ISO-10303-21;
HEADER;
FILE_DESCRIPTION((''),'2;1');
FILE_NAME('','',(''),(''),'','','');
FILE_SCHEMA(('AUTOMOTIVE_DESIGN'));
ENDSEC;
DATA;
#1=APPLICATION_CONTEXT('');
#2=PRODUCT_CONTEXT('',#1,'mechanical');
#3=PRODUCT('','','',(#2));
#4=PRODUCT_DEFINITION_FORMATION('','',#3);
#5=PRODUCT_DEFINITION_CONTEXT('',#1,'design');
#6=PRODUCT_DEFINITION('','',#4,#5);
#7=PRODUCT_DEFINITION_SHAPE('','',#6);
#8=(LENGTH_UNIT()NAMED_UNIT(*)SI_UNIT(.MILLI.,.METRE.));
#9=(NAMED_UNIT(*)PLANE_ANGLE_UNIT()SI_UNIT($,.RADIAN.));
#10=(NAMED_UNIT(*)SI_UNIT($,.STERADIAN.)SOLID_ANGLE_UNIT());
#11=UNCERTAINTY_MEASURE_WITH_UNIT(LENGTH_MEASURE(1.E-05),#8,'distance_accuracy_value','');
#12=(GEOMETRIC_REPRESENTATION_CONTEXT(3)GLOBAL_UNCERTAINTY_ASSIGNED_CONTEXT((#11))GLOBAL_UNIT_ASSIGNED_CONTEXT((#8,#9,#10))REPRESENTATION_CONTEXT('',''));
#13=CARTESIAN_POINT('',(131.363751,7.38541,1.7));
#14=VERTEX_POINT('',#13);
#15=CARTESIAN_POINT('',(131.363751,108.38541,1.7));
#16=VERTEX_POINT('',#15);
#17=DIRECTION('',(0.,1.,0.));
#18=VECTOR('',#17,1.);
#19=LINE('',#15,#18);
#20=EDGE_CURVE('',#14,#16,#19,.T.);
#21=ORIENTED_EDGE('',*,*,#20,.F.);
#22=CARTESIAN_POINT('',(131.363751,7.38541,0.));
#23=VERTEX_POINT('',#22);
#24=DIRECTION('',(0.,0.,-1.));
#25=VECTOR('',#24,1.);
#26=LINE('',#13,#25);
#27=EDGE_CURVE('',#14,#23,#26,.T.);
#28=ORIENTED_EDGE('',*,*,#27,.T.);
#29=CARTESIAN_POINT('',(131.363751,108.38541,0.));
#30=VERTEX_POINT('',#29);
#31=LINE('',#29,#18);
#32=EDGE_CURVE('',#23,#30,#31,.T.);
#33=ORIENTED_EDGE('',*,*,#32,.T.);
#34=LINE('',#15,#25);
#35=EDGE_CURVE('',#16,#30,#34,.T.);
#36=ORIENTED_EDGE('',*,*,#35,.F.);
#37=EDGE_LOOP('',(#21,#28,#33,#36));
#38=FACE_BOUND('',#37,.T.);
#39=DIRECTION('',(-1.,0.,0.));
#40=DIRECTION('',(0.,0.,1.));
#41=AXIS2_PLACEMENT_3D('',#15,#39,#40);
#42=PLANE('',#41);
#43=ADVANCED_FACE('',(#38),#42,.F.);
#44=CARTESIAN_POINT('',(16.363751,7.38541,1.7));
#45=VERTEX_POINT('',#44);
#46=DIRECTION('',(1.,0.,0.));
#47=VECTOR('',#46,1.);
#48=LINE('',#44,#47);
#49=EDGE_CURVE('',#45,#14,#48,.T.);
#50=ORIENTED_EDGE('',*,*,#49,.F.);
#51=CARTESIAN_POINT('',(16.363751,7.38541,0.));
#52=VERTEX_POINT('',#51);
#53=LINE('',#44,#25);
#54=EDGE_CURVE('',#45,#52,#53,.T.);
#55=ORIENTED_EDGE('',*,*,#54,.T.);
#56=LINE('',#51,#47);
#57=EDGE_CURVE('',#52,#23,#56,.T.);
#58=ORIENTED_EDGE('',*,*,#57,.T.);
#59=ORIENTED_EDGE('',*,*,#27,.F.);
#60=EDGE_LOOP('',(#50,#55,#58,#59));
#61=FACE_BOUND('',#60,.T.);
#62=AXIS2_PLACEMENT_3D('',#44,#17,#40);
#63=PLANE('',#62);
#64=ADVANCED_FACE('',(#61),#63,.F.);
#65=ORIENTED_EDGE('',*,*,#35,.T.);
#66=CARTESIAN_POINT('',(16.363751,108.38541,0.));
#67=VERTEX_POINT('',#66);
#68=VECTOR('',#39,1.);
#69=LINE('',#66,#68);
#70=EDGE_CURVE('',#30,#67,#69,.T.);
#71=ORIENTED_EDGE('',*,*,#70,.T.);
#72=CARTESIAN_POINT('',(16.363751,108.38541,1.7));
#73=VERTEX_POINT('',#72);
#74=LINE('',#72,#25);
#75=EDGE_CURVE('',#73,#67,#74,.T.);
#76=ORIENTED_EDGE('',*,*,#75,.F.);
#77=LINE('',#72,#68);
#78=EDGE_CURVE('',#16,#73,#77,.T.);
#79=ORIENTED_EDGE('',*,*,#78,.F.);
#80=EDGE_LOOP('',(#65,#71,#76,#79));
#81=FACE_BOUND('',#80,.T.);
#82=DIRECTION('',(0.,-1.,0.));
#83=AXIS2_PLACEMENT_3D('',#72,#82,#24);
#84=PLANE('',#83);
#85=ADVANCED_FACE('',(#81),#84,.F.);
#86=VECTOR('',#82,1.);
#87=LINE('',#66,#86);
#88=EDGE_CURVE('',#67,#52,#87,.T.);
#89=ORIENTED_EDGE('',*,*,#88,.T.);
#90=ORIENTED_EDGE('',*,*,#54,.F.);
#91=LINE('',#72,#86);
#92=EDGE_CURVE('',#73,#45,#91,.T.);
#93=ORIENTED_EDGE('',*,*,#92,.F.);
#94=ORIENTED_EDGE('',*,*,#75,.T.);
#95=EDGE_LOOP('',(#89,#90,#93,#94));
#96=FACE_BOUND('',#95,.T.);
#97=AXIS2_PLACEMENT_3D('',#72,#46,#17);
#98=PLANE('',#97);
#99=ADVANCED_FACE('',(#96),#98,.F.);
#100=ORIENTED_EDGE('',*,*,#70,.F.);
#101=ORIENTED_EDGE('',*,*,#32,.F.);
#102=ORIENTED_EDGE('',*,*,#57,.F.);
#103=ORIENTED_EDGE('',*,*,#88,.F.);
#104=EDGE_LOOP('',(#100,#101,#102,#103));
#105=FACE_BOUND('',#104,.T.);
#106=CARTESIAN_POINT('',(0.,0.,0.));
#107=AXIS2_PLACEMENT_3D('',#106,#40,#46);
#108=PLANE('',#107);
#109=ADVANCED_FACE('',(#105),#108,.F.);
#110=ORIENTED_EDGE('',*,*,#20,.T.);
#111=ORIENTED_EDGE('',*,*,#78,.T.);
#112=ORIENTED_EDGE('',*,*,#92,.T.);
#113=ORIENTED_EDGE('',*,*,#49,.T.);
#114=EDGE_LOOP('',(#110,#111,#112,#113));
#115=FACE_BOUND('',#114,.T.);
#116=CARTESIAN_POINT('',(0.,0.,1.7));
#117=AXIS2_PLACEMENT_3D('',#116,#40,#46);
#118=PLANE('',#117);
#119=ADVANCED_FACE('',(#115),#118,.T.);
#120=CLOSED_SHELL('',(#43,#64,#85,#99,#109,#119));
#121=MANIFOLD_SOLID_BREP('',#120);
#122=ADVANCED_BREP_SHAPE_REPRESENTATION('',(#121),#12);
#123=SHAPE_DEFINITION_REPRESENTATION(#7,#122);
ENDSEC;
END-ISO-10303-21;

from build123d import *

# Parameters (mm, degrees)
SKETCH1_W           = 115
SKETCH1_H           = 101
BOSS_EXTRUDE1_DEPTH = 1.7


with BuildPart() as part:
    # Sketch1 → Boss-Extrude1 (new body)
    with BuildSketch(Plane.XY):
        with Locations((73.863750802, 57.885409654)):
            Rectangle(SKETCH1_W, SKETCH1_H)
    extrude(amount=BOSS_EXTRUDE1_DEPTH)


solid = part.part
